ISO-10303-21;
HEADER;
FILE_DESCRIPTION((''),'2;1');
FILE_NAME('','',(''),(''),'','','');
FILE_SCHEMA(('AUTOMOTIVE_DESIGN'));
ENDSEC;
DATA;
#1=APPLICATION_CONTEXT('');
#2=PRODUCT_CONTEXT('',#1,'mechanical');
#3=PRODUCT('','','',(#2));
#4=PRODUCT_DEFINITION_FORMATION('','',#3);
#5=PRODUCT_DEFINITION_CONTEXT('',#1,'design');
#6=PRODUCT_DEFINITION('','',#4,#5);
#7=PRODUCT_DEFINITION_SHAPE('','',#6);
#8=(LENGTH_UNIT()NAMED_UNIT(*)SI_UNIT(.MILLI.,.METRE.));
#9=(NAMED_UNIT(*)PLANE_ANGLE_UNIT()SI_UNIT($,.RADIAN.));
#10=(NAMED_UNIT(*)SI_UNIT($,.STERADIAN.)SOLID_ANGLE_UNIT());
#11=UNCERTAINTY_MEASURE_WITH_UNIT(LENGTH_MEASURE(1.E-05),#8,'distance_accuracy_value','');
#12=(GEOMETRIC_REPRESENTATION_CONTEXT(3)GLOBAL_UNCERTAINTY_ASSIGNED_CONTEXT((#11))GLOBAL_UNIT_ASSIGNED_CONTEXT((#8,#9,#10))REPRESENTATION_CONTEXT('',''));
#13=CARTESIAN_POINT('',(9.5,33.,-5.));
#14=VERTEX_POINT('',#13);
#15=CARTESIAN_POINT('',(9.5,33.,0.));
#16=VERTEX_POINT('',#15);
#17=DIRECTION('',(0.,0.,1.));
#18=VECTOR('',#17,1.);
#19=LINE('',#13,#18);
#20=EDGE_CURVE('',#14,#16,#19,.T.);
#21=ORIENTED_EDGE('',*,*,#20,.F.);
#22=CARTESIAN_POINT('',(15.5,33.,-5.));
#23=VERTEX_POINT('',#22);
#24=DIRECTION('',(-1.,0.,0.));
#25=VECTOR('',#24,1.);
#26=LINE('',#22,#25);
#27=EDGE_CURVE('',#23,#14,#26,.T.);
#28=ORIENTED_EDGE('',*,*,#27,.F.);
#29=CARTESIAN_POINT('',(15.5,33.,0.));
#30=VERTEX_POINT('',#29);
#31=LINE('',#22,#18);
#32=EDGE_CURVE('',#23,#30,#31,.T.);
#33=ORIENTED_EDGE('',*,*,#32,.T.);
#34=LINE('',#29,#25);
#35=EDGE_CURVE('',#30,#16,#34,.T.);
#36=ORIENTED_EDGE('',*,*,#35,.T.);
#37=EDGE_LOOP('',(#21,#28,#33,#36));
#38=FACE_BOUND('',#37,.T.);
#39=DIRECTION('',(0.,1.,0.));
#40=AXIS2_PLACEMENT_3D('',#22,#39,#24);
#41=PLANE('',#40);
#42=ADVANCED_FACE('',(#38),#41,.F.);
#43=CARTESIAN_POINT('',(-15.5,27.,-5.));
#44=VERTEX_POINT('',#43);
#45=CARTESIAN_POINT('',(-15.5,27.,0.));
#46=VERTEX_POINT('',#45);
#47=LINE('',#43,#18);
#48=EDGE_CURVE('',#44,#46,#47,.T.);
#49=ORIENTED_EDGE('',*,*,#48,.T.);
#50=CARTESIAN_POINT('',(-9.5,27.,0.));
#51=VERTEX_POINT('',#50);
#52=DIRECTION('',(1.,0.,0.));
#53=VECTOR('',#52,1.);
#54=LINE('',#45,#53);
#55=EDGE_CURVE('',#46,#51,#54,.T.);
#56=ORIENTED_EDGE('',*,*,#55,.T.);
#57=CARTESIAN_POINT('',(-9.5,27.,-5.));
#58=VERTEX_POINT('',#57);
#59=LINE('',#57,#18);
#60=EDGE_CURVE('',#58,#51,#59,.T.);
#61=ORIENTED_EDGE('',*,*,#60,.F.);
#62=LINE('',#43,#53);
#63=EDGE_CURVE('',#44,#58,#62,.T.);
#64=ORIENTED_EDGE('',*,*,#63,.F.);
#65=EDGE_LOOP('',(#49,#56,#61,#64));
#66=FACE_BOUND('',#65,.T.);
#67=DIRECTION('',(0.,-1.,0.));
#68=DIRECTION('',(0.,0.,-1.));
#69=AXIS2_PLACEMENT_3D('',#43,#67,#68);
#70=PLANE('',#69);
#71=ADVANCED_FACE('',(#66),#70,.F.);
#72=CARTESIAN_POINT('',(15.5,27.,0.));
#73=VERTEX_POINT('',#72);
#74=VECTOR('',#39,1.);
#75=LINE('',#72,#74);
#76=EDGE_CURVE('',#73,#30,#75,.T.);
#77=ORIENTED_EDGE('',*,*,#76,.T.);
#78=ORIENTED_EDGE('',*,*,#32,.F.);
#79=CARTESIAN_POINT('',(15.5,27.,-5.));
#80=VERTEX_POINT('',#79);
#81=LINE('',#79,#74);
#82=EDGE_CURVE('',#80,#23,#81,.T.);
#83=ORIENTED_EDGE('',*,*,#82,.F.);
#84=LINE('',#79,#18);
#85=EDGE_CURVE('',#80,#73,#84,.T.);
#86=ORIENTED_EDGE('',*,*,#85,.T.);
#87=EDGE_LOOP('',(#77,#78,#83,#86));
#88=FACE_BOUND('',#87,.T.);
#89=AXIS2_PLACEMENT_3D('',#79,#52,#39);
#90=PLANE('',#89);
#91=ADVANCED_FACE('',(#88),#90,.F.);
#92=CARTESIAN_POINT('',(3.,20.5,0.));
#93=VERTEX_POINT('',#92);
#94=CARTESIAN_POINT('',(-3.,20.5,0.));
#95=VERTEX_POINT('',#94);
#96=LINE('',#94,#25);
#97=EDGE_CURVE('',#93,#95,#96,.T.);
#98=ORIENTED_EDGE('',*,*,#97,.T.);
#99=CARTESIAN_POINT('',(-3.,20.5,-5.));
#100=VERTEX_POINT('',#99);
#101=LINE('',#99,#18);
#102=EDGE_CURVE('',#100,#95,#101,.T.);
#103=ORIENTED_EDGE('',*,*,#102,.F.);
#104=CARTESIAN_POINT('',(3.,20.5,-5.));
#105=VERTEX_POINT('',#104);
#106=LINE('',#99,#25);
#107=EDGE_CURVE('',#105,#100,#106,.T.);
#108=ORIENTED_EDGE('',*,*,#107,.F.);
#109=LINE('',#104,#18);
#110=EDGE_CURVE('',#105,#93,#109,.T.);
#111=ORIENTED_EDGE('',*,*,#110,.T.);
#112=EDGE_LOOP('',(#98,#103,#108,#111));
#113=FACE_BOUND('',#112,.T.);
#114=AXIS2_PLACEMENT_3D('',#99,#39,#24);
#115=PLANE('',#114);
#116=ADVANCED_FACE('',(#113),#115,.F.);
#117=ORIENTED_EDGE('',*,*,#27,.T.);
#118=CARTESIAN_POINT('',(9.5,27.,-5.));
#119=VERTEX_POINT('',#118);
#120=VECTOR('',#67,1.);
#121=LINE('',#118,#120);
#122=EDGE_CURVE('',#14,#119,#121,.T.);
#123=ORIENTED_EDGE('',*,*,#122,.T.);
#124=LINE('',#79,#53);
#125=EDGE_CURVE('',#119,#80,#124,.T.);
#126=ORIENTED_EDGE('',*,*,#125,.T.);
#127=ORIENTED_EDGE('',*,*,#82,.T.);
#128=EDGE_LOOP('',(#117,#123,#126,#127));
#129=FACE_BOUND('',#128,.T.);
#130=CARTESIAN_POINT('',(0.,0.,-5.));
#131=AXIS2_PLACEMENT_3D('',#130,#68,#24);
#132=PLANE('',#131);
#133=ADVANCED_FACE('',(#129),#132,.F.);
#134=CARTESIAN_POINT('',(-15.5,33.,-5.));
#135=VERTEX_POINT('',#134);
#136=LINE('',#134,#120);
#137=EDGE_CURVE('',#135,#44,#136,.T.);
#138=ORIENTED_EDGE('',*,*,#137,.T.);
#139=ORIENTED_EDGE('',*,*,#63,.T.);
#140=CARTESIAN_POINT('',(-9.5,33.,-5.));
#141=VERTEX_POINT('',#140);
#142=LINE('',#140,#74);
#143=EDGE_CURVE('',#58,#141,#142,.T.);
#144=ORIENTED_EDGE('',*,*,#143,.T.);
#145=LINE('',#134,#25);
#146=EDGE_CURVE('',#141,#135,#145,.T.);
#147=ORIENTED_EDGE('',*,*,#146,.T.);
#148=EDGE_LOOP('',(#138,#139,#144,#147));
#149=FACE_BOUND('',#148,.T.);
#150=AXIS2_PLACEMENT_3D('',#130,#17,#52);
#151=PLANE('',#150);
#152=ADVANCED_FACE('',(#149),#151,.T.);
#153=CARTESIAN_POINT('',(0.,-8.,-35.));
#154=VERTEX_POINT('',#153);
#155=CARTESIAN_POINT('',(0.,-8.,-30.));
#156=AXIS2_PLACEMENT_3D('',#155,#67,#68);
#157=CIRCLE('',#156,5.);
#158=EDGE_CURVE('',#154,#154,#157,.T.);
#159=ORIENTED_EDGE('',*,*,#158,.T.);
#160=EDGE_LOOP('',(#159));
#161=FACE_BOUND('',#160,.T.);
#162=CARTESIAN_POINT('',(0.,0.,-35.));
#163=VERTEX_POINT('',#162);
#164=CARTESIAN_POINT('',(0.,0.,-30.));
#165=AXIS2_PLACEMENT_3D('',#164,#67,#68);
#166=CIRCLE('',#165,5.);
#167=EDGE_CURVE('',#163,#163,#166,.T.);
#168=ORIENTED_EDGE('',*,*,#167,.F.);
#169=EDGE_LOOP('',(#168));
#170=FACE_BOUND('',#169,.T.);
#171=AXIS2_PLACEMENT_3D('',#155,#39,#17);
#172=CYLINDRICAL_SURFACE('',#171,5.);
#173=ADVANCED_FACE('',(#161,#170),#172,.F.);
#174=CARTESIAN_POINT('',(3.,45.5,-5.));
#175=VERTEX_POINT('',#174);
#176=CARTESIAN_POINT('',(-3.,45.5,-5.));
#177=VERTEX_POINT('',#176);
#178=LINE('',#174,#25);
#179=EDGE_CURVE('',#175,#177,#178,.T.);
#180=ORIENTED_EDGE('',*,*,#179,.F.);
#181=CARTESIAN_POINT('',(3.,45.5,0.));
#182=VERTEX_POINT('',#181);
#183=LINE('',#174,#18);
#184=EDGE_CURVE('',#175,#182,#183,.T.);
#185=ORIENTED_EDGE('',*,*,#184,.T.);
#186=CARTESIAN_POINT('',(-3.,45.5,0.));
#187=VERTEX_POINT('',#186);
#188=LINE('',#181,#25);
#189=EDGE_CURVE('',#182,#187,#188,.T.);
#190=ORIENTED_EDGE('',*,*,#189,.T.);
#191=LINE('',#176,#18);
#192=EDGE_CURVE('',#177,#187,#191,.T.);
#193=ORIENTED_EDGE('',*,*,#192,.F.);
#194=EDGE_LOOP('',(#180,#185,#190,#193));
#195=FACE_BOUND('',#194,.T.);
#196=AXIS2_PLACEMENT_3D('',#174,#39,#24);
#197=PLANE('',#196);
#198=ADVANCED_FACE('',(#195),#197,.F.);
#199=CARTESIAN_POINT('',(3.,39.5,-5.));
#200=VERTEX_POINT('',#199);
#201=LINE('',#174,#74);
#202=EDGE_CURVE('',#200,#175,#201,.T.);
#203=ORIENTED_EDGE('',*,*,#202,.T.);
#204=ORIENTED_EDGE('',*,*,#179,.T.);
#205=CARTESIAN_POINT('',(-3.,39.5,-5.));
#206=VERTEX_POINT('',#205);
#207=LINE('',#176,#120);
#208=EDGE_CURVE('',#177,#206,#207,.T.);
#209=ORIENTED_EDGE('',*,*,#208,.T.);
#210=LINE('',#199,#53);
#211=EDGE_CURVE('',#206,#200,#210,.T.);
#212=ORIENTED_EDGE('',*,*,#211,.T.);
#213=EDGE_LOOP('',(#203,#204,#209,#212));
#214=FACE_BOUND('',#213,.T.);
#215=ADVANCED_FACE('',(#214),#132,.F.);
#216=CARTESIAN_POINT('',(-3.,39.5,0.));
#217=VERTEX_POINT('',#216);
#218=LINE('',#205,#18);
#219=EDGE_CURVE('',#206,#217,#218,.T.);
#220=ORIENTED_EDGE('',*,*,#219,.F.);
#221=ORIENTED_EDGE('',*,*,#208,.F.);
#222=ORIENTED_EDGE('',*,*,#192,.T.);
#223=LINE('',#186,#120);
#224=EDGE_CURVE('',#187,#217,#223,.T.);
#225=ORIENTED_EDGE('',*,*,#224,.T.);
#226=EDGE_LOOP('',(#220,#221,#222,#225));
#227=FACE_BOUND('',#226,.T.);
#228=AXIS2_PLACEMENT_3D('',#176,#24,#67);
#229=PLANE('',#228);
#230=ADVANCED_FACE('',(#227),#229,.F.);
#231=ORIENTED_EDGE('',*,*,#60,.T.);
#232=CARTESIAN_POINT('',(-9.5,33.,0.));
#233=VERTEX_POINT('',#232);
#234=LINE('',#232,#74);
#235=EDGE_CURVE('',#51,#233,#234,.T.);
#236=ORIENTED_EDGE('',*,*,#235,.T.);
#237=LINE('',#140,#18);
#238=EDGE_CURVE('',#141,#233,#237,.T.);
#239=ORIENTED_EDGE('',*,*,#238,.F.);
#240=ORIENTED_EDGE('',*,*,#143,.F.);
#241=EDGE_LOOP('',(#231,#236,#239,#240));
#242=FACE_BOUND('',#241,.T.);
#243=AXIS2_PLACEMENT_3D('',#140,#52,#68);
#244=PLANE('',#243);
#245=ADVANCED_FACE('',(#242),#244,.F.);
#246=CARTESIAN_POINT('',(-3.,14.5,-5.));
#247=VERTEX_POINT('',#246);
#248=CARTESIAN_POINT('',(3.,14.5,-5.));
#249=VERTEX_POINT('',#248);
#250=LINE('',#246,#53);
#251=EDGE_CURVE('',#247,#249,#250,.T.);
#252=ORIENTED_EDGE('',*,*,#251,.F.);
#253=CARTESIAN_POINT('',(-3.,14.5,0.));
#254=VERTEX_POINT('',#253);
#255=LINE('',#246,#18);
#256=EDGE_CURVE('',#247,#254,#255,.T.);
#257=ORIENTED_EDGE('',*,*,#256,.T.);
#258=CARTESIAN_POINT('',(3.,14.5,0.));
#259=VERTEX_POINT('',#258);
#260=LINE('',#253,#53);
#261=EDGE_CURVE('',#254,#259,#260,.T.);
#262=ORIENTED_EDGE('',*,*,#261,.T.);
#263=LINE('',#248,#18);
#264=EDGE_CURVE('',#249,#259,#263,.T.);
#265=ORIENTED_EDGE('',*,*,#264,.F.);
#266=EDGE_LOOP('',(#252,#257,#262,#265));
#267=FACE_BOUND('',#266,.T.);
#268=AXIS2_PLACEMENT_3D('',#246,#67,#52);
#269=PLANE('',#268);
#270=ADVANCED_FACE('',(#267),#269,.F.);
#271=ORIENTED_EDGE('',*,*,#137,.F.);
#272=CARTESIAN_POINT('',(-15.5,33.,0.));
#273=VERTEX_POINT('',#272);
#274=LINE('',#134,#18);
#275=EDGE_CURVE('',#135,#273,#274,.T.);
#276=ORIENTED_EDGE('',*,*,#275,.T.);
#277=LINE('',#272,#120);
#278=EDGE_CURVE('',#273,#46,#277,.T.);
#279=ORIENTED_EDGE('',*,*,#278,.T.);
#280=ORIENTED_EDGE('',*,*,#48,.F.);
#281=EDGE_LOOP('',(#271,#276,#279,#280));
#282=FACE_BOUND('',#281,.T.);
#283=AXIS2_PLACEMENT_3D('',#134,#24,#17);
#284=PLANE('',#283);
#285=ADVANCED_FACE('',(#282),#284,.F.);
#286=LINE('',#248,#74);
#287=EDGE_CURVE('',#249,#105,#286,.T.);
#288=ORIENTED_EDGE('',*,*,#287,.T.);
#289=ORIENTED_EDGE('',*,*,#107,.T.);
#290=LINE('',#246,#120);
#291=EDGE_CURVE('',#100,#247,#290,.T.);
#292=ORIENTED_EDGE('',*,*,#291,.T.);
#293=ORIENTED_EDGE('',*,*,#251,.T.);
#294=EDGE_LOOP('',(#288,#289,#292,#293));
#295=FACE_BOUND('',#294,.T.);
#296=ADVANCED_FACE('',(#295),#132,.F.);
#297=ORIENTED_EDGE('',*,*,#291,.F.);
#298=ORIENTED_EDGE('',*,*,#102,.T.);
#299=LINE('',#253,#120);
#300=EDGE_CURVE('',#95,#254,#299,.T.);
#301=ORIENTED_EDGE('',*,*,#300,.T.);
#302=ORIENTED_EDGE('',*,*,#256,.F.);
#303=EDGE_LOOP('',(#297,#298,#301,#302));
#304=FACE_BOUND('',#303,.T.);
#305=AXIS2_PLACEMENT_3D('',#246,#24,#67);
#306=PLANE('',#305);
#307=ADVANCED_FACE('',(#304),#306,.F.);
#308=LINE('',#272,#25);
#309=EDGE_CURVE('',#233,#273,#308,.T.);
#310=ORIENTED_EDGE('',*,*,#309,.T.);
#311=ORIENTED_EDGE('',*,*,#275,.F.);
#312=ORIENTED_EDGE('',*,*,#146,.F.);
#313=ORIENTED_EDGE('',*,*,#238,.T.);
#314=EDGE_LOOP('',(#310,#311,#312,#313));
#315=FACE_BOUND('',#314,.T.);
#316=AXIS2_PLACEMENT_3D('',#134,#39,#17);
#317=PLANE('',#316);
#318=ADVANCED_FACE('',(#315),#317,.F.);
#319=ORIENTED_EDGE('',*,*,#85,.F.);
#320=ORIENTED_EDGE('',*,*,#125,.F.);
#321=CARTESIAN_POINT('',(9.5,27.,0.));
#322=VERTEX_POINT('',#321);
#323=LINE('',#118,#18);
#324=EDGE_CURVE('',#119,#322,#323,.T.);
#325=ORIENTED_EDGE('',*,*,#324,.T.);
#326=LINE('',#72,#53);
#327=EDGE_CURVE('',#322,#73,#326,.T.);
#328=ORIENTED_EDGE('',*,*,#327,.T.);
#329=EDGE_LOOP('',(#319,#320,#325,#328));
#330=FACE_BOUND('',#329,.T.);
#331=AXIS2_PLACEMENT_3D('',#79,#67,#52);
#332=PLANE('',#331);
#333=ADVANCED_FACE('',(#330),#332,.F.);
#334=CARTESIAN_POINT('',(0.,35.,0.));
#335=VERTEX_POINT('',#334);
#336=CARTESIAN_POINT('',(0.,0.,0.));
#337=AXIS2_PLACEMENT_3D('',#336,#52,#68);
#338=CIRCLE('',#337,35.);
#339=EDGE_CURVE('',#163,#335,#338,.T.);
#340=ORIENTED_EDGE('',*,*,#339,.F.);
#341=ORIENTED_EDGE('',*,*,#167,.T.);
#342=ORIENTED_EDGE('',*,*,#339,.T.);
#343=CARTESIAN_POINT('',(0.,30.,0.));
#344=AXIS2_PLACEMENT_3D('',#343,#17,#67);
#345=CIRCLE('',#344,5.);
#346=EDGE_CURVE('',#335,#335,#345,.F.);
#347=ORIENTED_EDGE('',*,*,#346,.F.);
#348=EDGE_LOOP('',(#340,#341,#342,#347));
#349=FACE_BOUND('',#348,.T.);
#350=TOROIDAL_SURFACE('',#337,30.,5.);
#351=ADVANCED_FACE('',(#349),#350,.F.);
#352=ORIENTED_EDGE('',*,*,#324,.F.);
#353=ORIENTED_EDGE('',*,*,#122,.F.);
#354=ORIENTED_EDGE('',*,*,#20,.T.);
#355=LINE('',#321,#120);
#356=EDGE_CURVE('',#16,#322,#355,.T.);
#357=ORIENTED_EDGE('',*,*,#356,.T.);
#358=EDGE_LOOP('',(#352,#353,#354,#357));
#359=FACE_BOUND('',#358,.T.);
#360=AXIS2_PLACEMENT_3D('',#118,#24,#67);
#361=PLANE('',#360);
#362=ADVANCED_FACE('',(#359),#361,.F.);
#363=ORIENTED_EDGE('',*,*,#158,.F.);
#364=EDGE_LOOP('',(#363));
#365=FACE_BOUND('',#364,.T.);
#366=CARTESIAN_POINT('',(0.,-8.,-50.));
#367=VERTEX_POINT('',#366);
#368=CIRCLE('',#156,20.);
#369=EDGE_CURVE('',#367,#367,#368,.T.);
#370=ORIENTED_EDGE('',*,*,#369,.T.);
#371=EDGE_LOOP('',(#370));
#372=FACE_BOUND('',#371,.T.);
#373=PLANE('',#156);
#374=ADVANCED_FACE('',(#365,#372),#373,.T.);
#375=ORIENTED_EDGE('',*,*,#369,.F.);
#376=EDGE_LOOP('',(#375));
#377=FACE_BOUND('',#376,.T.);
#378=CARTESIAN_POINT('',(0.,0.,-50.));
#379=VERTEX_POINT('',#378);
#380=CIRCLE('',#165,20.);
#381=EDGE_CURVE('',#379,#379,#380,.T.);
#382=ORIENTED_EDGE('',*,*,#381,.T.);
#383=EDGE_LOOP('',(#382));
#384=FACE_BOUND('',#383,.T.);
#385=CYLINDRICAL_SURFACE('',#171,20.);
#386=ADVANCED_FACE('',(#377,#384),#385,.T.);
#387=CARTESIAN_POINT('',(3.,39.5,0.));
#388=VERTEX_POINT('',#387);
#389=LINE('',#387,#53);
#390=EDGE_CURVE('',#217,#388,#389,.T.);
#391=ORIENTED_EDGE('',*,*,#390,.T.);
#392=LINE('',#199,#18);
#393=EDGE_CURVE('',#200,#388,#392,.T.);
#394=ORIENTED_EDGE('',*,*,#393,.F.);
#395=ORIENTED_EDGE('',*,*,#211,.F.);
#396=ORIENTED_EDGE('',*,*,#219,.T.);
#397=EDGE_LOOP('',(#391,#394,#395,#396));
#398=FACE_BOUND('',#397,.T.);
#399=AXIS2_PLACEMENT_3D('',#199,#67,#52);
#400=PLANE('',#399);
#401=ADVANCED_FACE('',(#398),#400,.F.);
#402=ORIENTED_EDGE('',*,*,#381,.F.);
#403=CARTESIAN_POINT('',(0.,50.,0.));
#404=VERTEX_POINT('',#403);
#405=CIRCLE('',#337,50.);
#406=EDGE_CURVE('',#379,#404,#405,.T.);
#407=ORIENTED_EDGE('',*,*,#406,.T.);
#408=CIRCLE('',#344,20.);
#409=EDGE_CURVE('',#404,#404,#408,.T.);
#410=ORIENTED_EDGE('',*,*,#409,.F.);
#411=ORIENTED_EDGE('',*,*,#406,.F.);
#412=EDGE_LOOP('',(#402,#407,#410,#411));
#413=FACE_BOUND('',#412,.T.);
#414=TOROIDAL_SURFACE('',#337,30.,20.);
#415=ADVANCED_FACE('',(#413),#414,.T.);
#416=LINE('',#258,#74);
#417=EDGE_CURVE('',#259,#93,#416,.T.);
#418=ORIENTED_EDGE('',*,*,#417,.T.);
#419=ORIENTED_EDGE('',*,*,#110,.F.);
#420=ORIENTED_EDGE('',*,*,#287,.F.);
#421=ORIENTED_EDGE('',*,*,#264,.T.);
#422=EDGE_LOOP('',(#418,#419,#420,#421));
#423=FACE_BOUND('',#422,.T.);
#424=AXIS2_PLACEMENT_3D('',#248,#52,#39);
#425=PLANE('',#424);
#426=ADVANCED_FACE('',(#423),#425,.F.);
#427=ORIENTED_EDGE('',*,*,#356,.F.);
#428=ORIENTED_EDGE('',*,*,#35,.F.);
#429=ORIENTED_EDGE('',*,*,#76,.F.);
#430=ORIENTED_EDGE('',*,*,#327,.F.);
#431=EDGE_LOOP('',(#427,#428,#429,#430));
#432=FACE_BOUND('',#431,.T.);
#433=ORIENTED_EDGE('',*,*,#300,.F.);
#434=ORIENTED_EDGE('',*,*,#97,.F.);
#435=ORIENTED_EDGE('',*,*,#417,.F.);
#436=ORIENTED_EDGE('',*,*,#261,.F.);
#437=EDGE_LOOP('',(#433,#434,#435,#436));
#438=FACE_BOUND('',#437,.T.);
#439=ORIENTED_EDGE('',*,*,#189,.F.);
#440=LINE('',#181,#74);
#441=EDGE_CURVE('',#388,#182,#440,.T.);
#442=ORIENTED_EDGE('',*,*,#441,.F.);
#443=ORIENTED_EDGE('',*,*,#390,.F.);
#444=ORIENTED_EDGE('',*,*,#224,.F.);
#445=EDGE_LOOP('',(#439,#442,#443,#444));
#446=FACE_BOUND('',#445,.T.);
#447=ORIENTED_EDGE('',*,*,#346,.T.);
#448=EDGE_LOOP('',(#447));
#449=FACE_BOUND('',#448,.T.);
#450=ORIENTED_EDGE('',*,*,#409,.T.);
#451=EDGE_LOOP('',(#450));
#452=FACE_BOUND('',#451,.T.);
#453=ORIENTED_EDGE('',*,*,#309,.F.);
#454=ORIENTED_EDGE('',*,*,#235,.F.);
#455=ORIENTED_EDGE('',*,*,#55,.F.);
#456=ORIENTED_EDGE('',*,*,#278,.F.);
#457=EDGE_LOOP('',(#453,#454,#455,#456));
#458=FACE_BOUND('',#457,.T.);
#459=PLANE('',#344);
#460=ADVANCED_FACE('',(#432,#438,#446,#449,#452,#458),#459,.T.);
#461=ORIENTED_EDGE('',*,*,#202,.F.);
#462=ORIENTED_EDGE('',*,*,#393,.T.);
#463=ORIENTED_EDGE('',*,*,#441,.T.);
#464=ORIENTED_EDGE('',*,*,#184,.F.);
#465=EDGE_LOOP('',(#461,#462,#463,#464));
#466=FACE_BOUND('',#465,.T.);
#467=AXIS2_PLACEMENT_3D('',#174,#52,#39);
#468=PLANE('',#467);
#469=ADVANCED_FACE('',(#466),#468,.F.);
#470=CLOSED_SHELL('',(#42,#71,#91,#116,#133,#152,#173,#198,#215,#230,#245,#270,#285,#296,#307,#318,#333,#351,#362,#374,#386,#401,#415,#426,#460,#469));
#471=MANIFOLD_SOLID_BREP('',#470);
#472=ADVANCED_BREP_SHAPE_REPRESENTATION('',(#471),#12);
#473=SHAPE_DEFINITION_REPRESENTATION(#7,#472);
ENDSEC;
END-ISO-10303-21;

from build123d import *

# Parameters (mm, degrees)
SKETCH3_R           = 20
SKETCH3_R_2         = 5
SKETCH6_R           = 20
SKETCH6_R_2         = 5
BOSS_EXTRUDE1_DEPTH = 8
SKETCH10_W          = 6
SKETCH10_H          = 6
CUT_EXTRUDE5_DEPTH  = 5


with BuildPart() as part:
    # Sweep1: sweep along a path in Sketch2
    with BuildLine(Plane(origin=(0, 0, 0), x_dir=(0, 0, -1), z_dir=(1, 0, 0))) as sweep1_path:
        ThreePointArc((30, 0), (21.213203436, 21.213203436), (0, 30))
    # Sketch3 → Sweep1 (sweep)
    with BuildSketch(Plane(origin=(0, 0, 0), x_dir=(1, 0, 0), z_dir=(0, 1, 0))):
        with Locations((0, 30)):
            Circle(SKETCH3_R)
        with Locations((0, 30)):
            Circle(SKETCH3_R_2, mode=Mode.SUBTRACT)
    sweep(path=sweep1_path.line)

    # Sketch6 → Boss-Extrude1 (add)
    with BuildSketch(Plane.XZ):
        with Locations((0, -30)):
            Circle(SKETCH6_R)
        with Locations((0, -30)):
            Circle(SKETCH6_R_2, mode=Mode.SUBTRACT)
    extrude(amount=BOSS_EXTRUDE1_DEPTH)

    # Sketch10 → Cut-Extrude5 (cut)
    with BuildSketch(Plane.XY):
        with Locations((0, 42.5)):
            Rectangle(SKETCH10_W, SKETCH10_H)
        with Locations((-12.5, 30)):
            Rectangle(SKETCH10_W, SKETCH10_H)
        with Locations((12.5, 30)):
            Rectangle(SKETCH10_W, SKETCH10_H)
        with Locations((0, 17.5)):
            Rectangle(SKETCH10_W, SKETCH10_H)
    extrude(amount=-CUT_EXTRUDE5_DEPTH, mode=Mode.SUBTRACT)


solid = part.part
